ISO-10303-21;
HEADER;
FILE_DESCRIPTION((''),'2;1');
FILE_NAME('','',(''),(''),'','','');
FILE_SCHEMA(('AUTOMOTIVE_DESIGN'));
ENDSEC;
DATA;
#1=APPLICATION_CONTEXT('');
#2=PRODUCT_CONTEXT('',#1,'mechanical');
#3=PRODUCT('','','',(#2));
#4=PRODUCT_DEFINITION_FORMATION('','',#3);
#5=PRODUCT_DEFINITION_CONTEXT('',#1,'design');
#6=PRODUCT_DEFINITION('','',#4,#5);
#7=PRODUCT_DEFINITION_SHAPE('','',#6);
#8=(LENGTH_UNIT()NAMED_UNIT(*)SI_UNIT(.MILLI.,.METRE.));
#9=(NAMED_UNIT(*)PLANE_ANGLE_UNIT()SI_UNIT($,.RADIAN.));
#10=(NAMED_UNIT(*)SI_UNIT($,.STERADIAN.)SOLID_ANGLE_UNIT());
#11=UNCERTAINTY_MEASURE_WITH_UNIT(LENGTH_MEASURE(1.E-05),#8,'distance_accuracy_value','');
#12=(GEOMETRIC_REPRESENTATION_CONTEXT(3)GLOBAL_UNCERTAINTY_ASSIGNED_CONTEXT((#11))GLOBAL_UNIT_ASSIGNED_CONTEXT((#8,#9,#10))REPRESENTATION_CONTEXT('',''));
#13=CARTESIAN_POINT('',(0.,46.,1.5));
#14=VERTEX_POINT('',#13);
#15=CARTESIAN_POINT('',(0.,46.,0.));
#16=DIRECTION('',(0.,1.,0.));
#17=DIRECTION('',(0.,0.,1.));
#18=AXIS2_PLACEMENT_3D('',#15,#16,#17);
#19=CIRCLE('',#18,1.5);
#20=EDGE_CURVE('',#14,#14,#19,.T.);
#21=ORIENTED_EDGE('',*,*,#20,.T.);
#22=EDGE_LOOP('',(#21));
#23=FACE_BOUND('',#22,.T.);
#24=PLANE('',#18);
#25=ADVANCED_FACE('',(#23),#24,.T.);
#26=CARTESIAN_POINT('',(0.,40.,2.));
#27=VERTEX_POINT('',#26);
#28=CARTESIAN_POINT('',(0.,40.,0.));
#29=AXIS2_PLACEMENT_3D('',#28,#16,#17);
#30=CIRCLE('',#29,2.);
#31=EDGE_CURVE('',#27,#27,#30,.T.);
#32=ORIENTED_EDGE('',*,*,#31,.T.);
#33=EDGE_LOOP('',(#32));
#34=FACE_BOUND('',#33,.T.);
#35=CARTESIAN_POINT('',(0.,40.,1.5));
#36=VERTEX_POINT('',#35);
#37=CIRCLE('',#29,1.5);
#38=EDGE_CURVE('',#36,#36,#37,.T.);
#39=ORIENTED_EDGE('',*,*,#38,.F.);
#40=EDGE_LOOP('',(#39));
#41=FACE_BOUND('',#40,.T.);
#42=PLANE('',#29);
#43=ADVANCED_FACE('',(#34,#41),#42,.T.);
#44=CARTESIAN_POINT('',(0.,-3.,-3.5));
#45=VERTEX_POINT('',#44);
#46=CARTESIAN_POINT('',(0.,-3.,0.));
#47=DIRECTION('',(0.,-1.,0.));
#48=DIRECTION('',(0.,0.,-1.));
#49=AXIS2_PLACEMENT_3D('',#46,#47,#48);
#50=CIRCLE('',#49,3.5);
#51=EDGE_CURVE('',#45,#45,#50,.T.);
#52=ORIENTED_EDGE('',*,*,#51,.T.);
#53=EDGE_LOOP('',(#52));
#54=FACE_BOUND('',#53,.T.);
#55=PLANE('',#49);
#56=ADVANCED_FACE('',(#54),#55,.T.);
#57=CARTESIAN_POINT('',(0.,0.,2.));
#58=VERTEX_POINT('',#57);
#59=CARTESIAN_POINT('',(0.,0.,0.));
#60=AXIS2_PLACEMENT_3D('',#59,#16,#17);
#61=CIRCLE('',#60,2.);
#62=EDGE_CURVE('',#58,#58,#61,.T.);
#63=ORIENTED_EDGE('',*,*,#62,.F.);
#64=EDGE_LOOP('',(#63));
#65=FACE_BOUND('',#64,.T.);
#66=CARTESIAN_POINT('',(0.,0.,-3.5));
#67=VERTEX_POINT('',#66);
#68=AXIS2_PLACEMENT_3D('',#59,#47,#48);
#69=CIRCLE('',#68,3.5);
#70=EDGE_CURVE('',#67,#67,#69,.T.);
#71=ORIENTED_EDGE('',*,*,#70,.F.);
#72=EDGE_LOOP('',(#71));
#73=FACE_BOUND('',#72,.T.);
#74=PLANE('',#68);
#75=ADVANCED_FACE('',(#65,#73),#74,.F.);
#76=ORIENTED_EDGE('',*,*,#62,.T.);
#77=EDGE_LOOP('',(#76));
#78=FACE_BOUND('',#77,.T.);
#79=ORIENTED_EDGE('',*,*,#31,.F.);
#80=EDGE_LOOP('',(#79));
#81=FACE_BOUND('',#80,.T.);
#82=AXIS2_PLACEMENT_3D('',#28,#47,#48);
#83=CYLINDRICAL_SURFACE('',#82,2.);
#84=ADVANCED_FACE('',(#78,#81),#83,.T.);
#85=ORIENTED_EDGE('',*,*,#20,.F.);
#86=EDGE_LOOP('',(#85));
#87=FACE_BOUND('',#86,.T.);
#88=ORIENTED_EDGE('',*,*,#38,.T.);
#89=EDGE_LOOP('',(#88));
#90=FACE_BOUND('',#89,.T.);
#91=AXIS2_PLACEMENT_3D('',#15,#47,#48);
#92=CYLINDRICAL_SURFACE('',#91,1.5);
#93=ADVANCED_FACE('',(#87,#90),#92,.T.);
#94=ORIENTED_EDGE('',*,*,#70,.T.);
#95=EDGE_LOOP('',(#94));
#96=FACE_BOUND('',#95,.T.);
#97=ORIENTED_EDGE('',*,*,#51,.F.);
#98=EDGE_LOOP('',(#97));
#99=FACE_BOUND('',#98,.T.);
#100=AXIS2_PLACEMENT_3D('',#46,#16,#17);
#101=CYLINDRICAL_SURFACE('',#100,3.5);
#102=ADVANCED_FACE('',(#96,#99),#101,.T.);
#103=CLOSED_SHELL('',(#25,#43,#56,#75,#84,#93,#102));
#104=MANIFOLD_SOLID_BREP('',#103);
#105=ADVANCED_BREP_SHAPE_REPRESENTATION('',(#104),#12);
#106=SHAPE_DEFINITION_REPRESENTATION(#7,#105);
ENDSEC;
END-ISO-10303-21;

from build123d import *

# Parameters (mm, degrees)
SKETCH_1_R      = 2
EXTRUDE_1_DEPTH = 40
SKETCH_2_R      = 1.5
EXTRUDE_2_DEPTH = 6
SKETCH_3_R      = 3.5
EXTRUDE_3_DEPTH = 3


with BuildPart() as part:
    # 草图1 → 凸台-拉伸1 (new body)
    with BuildSketch(Plane(origin=(0, 0, 0), x_dir=(1, 0, 0), z_dir=(0, 1, 0))):
        Circle(SKETCH_1_R)
    extrude(amount=EXTRUDE_1_DEPTH)

    # 草图2 → 凸台-拉伸2 (add)
    with BuildSketch(Plane(origin=(0, 40, 0), x_dir=(1, 0, 0), z_dir=(0, 1, 0))):
        Circle(SKETCH_2_R)
    extrude(amount=EXTRUDE_2_DEPTH)

    # 草图3 → 凸台-拉伸3 (add)
    with BuildSketch(Plane.XZ):
        Circle(SKETCH_3_R)
    extrude(amount=EXTRUDE_3_DEPTH)


solid = part.part
